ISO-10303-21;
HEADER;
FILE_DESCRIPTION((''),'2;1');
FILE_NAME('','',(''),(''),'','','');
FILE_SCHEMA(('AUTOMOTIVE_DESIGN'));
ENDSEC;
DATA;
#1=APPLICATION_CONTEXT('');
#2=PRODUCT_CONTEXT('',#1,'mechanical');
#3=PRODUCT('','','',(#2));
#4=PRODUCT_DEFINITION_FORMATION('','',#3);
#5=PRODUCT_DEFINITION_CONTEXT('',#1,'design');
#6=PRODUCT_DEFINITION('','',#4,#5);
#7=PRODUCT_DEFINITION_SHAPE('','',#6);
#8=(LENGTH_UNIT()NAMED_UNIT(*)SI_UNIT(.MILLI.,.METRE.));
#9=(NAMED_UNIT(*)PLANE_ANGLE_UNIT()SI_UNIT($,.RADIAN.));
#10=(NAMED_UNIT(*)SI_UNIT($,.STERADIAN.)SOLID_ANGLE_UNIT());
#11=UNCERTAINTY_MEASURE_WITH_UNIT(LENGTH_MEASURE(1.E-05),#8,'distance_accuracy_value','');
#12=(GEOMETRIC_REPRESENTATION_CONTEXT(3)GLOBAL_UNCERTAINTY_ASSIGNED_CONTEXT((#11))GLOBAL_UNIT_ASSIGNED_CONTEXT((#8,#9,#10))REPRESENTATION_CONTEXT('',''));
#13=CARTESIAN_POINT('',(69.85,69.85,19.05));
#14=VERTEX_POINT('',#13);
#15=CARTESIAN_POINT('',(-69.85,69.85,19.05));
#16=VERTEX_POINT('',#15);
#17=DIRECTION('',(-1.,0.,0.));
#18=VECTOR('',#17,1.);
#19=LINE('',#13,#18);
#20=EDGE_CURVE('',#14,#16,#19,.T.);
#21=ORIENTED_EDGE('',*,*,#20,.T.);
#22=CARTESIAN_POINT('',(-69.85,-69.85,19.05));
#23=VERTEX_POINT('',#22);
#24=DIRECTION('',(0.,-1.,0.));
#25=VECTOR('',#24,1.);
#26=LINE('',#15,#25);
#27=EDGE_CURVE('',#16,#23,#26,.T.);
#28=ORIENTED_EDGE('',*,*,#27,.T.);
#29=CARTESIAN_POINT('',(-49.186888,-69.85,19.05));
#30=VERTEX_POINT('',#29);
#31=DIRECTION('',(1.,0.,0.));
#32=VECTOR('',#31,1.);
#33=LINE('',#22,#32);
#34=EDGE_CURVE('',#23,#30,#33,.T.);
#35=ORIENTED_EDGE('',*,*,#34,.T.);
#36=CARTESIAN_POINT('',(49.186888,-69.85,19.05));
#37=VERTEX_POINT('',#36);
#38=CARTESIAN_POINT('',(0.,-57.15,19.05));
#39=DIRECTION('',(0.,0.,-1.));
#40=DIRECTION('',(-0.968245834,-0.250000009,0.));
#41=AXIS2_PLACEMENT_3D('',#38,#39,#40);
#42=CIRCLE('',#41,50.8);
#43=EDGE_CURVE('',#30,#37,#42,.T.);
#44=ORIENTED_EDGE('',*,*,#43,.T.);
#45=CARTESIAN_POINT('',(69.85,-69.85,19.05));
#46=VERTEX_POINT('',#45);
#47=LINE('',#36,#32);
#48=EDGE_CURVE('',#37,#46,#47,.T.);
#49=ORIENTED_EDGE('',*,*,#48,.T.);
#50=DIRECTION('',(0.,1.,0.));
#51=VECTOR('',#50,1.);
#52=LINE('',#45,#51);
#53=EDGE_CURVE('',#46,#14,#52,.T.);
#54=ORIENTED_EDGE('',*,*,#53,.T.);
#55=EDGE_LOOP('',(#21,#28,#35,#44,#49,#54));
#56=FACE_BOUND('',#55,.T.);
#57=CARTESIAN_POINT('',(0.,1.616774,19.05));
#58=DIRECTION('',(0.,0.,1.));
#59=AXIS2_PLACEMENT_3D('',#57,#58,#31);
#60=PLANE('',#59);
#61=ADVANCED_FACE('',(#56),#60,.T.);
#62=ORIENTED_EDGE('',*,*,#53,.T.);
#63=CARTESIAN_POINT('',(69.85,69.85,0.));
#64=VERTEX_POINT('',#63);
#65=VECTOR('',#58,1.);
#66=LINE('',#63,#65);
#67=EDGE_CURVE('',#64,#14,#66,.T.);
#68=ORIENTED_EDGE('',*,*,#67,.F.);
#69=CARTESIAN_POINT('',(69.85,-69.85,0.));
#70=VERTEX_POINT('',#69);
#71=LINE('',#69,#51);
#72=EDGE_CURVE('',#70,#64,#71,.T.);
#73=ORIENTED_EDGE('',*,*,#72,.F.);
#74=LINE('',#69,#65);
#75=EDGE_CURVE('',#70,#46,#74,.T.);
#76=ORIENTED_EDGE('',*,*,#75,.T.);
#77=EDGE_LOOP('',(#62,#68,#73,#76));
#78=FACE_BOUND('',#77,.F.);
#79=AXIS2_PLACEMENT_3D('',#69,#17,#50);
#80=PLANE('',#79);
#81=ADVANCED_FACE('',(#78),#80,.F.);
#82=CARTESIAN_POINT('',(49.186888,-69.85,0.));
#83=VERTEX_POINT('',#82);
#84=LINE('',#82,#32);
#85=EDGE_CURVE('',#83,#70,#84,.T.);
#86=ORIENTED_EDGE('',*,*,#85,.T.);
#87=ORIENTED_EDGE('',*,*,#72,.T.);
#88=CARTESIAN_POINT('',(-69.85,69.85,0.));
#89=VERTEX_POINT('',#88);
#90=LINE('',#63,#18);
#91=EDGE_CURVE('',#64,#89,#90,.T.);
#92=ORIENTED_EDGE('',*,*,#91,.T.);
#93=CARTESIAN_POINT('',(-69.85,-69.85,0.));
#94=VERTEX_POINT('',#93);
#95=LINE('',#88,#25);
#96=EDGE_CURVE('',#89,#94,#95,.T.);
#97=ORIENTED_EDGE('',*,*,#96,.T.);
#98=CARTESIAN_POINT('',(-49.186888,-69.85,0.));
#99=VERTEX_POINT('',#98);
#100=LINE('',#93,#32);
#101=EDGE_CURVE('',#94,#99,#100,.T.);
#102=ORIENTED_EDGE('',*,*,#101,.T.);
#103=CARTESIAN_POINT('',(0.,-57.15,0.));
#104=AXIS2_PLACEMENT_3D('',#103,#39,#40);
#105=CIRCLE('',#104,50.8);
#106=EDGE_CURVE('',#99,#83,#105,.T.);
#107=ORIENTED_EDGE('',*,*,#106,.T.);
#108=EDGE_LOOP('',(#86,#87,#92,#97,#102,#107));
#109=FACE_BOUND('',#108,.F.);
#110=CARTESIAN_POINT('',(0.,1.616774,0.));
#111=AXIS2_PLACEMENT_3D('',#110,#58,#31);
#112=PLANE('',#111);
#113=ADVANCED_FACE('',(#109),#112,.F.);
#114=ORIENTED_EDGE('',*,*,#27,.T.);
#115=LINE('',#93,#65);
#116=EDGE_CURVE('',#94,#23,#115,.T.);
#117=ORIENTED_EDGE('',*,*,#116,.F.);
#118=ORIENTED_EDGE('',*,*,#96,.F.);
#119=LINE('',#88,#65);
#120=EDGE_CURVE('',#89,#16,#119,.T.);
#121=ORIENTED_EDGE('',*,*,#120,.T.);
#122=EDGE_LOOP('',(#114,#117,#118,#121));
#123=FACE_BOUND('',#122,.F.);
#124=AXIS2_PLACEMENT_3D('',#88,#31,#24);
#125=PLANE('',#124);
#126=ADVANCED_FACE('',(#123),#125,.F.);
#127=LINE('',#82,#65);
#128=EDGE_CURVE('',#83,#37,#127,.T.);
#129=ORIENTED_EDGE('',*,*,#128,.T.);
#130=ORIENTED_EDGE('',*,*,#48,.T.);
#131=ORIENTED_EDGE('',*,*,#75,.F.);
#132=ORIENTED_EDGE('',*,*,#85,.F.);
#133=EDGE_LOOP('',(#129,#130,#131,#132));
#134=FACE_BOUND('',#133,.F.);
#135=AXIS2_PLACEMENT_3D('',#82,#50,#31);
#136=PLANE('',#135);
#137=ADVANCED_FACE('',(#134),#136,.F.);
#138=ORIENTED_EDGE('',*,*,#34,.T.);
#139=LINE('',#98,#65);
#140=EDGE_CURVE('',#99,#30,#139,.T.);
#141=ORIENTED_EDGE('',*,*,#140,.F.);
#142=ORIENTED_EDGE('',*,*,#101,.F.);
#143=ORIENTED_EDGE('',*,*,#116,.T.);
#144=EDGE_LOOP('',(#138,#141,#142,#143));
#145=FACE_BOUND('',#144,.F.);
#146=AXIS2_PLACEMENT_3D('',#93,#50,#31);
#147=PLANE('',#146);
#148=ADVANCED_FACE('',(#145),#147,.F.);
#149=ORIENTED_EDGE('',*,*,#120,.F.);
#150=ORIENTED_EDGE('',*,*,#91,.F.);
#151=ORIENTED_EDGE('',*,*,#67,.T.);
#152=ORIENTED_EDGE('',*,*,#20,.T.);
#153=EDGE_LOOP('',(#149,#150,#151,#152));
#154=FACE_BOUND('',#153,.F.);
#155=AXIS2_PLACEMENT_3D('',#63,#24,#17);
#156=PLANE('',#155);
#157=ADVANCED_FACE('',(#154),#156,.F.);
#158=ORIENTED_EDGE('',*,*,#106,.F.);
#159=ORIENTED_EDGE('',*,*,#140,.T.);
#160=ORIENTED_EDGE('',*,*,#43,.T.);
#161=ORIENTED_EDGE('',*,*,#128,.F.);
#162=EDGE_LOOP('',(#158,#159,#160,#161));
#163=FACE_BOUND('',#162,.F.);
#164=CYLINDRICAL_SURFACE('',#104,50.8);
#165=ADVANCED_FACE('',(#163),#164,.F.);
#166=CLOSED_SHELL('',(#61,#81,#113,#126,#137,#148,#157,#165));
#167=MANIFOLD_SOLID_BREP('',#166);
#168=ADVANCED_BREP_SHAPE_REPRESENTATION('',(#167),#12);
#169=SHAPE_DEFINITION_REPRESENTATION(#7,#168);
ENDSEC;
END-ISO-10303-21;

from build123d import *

# Parameters (mm, degrees)
F1_DEPTH = 19.05


with BuildPart() as f1:
    # F0 (on Top) → F1 (new body)
    with BuildSketch(Plane.XY):
        with BuildLine():
            Line((49.186888, -69.85), (69.85, -69.85))
            Line((69.85, -69.85), (69.85, 69.85))
            Line((69.85, 69.85), (-69.85, 69.85))
            Line((-69.85, 69.85), (-69.85, -69.85))
            Line((-69.85, -69.85), (-49.186888, -69.85))
            ThreePointArc((-49.186888, -69.85), (0, -6.35), (49.186888, -69.85))
        make_face()
    extrude(amount=F1_DEPTH)


solid = f1.part
